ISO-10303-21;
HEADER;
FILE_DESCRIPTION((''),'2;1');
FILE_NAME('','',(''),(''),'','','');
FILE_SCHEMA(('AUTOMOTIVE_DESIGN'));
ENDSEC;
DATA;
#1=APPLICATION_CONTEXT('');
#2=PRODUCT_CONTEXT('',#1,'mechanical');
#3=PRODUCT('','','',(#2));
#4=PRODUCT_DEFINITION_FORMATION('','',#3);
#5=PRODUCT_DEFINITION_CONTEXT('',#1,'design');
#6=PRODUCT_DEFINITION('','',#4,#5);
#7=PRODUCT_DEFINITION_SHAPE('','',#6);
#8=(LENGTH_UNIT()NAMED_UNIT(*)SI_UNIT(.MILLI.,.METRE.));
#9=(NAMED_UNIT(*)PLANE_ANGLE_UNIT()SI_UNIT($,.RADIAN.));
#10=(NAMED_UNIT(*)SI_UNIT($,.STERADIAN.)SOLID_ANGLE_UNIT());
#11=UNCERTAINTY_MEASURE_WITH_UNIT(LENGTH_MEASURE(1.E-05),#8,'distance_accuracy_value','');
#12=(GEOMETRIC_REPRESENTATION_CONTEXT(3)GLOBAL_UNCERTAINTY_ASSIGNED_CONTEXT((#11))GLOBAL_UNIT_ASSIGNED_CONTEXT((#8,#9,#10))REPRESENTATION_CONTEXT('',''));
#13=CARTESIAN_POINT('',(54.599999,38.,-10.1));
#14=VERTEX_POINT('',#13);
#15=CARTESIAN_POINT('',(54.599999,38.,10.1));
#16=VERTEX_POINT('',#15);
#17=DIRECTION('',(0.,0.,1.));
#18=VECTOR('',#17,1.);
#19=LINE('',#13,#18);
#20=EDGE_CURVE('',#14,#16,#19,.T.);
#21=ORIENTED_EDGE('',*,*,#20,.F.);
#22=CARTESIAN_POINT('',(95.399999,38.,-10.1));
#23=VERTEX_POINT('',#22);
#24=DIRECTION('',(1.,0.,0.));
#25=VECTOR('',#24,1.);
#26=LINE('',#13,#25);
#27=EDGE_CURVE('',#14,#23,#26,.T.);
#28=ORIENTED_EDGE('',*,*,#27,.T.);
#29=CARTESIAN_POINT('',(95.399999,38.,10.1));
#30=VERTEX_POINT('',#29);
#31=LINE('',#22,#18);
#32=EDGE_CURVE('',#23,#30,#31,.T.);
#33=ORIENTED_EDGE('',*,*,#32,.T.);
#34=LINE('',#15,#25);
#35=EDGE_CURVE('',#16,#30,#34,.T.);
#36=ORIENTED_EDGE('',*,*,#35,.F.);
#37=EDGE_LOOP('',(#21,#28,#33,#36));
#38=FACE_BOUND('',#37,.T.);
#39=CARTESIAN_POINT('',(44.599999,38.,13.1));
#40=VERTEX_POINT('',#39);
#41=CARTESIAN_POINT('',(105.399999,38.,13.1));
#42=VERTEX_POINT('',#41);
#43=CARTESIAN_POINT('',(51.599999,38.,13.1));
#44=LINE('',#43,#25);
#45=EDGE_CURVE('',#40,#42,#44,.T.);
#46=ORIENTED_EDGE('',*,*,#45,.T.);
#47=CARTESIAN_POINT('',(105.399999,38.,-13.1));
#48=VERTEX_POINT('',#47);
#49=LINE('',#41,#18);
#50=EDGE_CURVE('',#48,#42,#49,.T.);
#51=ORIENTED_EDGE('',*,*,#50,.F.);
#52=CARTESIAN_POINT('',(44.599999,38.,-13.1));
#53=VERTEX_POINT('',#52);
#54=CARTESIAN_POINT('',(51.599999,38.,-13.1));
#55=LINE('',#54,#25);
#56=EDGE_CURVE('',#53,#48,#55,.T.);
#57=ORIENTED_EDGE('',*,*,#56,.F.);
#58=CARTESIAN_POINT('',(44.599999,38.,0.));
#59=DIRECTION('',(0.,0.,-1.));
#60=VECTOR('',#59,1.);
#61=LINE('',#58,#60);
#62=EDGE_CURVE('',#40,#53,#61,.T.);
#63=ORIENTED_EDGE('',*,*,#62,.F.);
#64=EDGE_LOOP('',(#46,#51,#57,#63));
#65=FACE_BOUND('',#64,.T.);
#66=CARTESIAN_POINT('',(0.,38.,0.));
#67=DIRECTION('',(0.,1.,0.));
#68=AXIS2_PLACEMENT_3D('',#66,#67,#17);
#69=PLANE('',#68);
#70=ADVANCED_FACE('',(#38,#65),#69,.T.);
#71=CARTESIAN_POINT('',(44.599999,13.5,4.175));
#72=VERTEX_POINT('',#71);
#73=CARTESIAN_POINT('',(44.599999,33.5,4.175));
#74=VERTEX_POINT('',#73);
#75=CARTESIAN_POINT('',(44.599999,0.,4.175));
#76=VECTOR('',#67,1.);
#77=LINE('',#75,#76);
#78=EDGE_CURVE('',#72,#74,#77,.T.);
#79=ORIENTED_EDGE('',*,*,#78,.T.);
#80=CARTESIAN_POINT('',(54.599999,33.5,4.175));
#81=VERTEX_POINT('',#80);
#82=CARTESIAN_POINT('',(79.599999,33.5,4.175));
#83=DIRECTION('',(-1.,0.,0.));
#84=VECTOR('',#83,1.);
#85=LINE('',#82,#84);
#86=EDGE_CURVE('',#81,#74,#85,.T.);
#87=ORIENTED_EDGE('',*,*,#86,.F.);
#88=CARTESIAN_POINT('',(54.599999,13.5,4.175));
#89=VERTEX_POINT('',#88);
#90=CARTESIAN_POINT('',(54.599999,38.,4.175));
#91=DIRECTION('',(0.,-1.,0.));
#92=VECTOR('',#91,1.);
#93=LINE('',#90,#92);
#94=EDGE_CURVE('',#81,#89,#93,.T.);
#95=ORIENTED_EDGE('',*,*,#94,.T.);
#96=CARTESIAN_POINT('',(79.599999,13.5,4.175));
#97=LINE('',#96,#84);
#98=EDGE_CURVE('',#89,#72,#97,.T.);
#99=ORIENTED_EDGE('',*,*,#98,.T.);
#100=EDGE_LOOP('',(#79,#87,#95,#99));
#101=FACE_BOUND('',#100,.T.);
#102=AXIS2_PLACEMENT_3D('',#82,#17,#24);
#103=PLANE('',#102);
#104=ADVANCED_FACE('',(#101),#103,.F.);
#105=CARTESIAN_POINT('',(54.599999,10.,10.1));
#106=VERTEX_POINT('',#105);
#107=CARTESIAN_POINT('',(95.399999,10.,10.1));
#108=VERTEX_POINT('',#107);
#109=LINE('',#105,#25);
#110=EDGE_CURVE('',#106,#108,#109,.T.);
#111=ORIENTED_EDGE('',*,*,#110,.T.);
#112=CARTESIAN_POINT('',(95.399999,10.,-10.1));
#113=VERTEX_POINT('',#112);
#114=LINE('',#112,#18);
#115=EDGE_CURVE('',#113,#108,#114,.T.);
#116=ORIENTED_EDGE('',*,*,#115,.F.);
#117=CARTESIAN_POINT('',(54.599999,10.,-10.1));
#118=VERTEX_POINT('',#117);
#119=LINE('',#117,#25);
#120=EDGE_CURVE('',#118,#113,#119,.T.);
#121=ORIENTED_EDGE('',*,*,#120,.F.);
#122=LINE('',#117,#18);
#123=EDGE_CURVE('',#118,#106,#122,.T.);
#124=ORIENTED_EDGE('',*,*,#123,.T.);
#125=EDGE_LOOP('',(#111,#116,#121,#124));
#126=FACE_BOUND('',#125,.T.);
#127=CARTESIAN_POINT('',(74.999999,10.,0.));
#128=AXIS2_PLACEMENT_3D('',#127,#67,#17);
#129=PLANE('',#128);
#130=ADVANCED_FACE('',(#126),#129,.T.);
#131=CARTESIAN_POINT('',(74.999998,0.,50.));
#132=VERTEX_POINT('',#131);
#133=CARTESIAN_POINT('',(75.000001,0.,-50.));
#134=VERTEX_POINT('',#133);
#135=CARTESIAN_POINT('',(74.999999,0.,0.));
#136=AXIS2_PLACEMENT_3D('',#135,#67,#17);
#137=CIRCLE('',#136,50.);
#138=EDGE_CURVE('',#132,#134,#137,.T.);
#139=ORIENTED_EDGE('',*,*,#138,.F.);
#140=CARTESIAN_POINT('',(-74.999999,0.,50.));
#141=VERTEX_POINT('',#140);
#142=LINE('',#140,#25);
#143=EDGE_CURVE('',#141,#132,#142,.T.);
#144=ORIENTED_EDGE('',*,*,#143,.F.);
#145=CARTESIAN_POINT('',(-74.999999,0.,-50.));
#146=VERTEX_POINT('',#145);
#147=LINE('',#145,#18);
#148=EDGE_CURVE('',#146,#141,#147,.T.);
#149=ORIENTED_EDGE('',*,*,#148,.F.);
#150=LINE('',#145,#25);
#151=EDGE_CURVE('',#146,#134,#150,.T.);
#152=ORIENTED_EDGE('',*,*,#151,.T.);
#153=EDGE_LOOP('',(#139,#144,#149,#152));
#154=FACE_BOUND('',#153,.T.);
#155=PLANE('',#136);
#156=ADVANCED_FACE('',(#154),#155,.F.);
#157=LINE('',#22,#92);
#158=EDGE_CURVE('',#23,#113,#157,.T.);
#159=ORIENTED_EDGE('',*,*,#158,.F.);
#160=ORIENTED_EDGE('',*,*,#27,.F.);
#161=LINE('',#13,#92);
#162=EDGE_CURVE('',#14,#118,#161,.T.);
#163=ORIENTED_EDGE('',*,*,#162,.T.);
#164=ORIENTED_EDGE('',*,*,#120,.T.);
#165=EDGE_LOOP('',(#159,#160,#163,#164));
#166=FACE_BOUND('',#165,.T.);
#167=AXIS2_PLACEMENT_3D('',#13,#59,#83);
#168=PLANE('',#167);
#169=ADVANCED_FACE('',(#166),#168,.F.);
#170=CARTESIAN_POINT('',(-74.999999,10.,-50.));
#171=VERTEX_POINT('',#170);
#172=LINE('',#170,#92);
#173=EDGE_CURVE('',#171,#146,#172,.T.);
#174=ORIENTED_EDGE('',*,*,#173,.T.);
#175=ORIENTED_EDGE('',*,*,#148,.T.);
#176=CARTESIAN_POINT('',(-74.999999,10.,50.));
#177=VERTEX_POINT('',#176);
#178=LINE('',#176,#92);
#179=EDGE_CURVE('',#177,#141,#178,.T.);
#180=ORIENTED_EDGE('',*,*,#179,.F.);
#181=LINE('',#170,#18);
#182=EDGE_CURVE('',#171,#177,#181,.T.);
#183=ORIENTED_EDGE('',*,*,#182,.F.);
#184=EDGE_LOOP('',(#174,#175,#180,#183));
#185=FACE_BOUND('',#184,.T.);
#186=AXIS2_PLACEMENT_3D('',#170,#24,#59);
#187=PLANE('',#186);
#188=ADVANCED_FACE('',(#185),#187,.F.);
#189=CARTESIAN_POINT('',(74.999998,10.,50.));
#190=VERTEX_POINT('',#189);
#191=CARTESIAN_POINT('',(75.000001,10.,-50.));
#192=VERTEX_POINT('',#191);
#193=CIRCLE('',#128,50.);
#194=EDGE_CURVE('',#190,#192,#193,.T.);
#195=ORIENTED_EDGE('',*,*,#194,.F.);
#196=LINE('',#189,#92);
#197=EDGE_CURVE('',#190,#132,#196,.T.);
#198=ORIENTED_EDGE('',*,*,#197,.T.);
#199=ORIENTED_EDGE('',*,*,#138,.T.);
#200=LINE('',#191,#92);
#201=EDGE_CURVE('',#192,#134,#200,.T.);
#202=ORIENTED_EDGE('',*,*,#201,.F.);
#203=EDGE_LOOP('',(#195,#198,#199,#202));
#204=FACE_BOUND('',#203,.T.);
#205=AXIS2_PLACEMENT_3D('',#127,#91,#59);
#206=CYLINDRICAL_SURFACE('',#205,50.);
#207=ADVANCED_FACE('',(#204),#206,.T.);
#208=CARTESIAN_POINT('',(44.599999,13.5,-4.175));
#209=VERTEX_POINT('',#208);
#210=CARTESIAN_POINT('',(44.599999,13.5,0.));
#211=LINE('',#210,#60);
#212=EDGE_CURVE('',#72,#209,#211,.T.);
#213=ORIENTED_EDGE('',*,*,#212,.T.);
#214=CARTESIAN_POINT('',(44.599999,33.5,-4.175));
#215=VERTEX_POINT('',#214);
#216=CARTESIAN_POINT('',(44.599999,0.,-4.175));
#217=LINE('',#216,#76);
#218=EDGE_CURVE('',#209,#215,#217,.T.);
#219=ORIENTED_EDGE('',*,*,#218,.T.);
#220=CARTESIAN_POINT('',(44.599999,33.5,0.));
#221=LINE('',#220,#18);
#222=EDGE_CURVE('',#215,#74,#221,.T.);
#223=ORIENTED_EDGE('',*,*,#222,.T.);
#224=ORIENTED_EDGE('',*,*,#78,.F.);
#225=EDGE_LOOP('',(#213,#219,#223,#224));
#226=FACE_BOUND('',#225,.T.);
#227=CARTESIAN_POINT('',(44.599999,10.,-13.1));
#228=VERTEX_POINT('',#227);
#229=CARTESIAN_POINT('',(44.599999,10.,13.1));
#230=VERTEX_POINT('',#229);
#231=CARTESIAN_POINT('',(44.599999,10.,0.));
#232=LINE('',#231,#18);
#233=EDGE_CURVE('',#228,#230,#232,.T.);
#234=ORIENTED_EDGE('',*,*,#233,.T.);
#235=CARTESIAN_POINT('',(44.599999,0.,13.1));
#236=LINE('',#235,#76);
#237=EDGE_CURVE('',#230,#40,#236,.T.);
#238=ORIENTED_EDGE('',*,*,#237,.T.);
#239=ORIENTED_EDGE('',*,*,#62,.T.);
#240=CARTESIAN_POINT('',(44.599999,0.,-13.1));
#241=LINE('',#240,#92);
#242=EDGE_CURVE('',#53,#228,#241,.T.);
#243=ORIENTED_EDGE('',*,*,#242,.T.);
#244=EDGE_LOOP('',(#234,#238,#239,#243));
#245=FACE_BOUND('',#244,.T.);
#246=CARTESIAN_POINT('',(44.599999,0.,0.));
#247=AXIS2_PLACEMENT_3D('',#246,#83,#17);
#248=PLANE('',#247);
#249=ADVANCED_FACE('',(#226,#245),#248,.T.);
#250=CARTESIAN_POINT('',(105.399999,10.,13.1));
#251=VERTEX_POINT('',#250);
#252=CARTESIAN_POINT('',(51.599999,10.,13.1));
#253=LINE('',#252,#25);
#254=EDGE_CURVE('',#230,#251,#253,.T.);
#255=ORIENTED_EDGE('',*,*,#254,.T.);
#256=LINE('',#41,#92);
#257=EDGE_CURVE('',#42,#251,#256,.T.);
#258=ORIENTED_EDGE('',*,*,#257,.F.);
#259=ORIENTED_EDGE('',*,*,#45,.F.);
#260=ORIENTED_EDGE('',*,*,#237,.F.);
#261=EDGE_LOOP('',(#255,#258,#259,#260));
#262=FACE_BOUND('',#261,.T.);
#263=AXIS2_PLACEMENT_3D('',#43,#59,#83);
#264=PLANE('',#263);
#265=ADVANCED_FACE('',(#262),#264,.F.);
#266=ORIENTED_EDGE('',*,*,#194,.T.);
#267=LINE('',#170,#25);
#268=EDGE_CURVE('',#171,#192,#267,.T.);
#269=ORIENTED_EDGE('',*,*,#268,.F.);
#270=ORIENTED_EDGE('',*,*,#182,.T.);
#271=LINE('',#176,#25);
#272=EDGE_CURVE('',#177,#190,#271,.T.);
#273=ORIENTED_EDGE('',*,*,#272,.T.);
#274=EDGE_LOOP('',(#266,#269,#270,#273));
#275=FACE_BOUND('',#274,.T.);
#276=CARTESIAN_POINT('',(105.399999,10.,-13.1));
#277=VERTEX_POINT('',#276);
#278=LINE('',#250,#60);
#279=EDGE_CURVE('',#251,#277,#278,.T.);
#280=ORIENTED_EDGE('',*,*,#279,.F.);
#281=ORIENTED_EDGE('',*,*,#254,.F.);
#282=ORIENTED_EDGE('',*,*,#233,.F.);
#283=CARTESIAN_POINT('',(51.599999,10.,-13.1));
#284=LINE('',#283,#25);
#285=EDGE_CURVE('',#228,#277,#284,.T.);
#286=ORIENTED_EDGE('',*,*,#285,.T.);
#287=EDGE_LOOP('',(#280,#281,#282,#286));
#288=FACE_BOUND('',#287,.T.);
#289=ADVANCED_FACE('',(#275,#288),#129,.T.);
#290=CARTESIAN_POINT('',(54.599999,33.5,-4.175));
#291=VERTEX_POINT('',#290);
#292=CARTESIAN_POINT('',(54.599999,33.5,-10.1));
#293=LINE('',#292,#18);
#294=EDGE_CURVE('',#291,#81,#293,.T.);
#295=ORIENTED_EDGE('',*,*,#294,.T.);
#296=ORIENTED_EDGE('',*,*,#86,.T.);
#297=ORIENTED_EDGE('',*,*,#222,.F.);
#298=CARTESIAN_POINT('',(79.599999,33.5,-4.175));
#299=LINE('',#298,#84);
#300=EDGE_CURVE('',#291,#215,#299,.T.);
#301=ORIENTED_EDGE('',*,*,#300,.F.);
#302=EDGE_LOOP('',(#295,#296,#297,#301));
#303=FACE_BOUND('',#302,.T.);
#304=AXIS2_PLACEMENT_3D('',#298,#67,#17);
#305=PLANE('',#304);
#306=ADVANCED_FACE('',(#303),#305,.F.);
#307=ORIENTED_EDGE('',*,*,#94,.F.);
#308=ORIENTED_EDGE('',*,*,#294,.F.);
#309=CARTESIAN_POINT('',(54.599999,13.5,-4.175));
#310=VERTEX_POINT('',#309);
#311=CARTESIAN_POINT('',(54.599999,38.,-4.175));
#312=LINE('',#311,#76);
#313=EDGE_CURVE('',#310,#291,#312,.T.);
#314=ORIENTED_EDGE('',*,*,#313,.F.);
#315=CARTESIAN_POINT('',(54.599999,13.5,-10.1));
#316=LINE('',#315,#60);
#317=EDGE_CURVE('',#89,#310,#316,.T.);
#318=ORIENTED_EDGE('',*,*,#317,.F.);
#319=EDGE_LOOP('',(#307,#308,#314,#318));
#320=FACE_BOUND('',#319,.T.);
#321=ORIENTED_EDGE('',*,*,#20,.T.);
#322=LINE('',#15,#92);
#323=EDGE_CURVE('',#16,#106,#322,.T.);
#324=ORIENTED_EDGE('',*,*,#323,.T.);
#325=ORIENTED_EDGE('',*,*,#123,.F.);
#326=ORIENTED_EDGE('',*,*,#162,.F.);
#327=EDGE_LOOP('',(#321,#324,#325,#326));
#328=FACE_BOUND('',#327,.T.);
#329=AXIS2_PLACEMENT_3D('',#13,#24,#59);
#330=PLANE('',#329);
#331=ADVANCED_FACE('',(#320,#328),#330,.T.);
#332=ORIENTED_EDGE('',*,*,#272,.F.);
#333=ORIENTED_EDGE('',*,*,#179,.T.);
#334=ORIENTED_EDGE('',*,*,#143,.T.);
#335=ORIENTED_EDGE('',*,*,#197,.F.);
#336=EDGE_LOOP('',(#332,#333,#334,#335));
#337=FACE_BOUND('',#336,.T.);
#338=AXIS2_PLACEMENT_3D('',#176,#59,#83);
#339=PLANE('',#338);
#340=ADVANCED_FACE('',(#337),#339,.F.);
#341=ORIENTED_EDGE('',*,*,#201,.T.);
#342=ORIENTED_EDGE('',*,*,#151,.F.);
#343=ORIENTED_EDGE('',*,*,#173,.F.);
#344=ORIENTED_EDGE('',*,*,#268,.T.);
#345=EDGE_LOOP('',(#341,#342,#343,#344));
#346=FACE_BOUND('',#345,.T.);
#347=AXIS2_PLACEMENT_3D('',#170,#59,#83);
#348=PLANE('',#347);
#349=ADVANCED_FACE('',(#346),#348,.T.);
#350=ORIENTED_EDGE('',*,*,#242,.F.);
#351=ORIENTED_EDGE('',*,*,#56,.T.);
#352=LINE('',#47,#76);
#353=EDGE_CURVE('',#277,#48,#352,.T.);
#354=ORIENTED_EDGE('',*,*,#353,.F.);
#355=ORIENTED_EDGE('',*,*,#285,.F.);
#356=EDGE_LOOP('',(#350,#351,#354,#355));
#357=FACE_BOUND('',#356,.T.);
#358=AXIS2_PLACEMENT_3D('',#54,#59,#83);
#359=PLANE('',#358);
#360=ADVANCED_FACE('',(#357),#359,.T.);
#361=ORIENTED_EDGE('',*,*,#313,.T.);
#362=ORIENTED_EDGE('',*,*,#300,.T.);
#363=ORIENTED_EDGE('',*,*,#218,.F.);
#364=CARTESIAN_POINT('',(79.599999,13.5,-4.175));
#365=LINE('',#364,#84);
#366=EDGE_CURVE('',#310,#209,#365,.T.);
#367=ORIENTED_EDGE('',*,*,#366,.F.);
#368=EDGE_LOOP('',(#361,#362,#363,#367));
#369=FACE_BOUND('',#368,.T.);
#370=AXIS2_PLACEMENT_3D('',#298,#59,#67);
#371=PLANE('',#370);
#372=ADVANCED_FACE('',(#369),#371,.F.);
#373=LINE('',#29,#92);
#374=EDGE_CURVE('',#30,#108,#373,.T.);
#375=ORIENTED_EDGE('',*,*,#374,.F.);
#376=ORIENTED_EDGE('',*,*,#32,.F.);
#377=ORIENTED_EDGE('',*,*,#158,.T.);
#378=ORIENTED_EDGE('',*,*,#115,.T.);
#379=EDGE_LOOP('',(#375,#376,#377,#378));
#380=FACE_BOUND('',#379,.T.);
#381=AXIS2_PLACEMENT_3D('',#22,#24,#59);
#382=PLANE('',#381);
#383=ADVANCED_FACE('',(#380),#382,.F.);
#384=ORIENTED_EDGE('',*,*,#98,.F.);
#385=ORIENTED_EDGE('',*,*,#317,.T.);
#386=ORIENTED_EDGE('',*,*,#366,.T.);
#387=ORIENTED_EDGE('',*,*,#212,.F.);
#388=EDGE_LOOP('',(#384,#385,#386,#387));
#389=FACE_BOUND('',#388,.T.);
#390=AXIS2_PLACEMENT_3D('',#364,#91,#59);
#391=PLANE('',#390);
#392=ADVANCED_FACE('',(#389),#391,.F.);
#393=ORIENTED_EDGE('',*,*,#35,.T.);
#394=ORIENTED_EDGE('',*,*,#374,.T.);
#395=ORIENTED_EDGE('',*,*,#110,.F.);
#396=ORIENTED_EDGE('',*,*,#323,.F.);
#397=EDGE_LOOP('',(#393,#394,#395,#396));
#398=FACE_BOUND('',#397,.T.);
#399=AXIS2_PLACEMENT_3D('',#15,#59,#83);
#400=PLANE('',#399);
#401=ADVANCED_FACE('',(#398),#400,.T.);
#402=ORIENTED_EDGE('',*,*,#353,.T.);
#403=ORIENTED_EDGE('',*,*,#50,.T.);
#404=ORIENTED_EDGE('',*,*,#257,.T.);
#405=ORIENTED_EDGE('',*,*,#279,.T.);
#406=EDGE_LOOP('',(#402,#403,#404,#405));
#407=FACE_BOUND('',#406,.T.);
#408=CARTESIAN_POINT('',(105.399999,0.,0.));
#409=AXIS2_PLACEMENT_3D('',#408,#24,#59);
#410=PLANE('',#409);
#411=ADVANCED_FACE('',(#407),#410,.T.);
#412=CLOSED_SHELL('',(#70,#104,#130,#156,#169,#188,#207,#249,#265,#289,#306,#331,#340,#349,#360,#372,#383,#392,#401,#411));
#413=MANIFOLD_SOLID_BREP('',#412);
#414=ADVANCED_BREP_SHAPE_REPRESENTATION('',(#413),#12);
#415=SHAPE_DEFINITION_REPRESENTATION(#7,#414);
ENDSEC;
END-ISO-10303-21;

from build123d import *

# Parameters (mm, degrees)
BOSS_EXTRUDE4_DEPTH = 10
SKETCH6_W           = 46.8
SKETCH6_H           = 26.2
SKETCH6_W_2         = 40.8
SKETCH6_H_2         = 20.2
BOSS_EXTRUDE5_DEPTH = 28
SKETCH8_W           = 8.35
SKETCH8_H           = 20
CUT_EXTRUDE2_DEPTH  = 28
SKETCH12_W          = 26.2
SKETCH12_H          = 28
BOSS_EXTRUDE6_DEPTH = 7
SKETCH13_W          = 8.35
SKETCH13_H          = 4.5
SKETCH13_H_2        = 3.5
BOSS_EXTRUDE7_DEPTH = 7


with BuildPart() as part:
    # Sketch2 → Boss-Extrude4 (new body)
    with BuildSketch(Plane(origin=(0, 0, 0), x_dir=(1, 0, 0), z_dir=(0, 1, 0))):
        with BuildLine():
            Line((-74.999999302, 50.000000465), (75.000000698, 50.000000465))
            ThreePointArc((75.000000698, 50.000000465), (124.999999302, -9.31e-07), (74.999997905, -49.999999535))
            Line((74.999997905, -49.999999535), (-74.999999302, -49.999999535))
            Line((-74.999999302, -49.999999535), (-74.999999302, 50.000000465))
        make_face()
    extrude(amount=BOSS_EXTRUDE4_DEPTH)

    # Sketch6 → Boss-Extrude5 (add)
    with BuildSketch(Plane(origin=(0, 10, 0), x_dir=(1, 0, 0), z_dir=(0, 1, 0))):
        with Locations((74.999999302, 4.65e-07)):
            Rectangle(SKETCH6_W, SKETCH6_H)
        with Locations((74.999999302, 4.65e-07)):
            Rectangle(SKETCH6_W_2, SKETCH6_H_2, mode=Mode.SUBTRACT)
    extrude(amount=BOSS_EXTRUDE5_DEPTH)

    # Sketch8 → Cut-Extrude2 (cut)
    with BuildSketch(Plane.ZY.offset(-51.599999302)):
        with Locations((-4.65e-07, 23.5)):
            Rectangle(SKETCH8_W, SKETCH8_H)
    extrude(amount=-CUT_EXTRUDE2_DEPTH, mode=Mode.SUBTRACT)

    # Sketch12 → Boss-Extrude6 (add)
    with BuildSketch(Plane(origin=(98.399999302, 0, 0), x_dir=(0, 0, -1), z_dir=(1, 0, 0))):
        with Locations((4.65e-07, 24)):
            Rectangle(SKETCH12_W, SKETCH12_H)
    extrude(amount=BOSS_EXTRUDE6_DEPTH)

    # Sketch13 → Boss-Extrude7 (add)
    with BuildSketch(Plane.ZY.offset(-51.599999302)):
        Polygon((-4.175000465, 10), (-4.175000465, 13.5), (-4.175000465, 33.5), (-4.175000465, 38), (-13.100000465, 38), (-13.100000465, 10), align=None)
        with Locations((-4.65e-07, 35.75)):
            Rectangle(SKETCH13_W, SKETCH13_H)
        Polygon((4.174999535, 33.5), (4.174999535, 13.5), (4.174999535, 10), (13.099999535, 10), (13.099999535, 38), (4.174999535, 38), align=None)
        with Locations((-4.65e-07, 11.75)):
            Rectangle(SKETCH13_W, SKETCH13_H_2)
    extrude(amount=BOSS_EXTRUDE7_DEPTH)


solid = part.part
